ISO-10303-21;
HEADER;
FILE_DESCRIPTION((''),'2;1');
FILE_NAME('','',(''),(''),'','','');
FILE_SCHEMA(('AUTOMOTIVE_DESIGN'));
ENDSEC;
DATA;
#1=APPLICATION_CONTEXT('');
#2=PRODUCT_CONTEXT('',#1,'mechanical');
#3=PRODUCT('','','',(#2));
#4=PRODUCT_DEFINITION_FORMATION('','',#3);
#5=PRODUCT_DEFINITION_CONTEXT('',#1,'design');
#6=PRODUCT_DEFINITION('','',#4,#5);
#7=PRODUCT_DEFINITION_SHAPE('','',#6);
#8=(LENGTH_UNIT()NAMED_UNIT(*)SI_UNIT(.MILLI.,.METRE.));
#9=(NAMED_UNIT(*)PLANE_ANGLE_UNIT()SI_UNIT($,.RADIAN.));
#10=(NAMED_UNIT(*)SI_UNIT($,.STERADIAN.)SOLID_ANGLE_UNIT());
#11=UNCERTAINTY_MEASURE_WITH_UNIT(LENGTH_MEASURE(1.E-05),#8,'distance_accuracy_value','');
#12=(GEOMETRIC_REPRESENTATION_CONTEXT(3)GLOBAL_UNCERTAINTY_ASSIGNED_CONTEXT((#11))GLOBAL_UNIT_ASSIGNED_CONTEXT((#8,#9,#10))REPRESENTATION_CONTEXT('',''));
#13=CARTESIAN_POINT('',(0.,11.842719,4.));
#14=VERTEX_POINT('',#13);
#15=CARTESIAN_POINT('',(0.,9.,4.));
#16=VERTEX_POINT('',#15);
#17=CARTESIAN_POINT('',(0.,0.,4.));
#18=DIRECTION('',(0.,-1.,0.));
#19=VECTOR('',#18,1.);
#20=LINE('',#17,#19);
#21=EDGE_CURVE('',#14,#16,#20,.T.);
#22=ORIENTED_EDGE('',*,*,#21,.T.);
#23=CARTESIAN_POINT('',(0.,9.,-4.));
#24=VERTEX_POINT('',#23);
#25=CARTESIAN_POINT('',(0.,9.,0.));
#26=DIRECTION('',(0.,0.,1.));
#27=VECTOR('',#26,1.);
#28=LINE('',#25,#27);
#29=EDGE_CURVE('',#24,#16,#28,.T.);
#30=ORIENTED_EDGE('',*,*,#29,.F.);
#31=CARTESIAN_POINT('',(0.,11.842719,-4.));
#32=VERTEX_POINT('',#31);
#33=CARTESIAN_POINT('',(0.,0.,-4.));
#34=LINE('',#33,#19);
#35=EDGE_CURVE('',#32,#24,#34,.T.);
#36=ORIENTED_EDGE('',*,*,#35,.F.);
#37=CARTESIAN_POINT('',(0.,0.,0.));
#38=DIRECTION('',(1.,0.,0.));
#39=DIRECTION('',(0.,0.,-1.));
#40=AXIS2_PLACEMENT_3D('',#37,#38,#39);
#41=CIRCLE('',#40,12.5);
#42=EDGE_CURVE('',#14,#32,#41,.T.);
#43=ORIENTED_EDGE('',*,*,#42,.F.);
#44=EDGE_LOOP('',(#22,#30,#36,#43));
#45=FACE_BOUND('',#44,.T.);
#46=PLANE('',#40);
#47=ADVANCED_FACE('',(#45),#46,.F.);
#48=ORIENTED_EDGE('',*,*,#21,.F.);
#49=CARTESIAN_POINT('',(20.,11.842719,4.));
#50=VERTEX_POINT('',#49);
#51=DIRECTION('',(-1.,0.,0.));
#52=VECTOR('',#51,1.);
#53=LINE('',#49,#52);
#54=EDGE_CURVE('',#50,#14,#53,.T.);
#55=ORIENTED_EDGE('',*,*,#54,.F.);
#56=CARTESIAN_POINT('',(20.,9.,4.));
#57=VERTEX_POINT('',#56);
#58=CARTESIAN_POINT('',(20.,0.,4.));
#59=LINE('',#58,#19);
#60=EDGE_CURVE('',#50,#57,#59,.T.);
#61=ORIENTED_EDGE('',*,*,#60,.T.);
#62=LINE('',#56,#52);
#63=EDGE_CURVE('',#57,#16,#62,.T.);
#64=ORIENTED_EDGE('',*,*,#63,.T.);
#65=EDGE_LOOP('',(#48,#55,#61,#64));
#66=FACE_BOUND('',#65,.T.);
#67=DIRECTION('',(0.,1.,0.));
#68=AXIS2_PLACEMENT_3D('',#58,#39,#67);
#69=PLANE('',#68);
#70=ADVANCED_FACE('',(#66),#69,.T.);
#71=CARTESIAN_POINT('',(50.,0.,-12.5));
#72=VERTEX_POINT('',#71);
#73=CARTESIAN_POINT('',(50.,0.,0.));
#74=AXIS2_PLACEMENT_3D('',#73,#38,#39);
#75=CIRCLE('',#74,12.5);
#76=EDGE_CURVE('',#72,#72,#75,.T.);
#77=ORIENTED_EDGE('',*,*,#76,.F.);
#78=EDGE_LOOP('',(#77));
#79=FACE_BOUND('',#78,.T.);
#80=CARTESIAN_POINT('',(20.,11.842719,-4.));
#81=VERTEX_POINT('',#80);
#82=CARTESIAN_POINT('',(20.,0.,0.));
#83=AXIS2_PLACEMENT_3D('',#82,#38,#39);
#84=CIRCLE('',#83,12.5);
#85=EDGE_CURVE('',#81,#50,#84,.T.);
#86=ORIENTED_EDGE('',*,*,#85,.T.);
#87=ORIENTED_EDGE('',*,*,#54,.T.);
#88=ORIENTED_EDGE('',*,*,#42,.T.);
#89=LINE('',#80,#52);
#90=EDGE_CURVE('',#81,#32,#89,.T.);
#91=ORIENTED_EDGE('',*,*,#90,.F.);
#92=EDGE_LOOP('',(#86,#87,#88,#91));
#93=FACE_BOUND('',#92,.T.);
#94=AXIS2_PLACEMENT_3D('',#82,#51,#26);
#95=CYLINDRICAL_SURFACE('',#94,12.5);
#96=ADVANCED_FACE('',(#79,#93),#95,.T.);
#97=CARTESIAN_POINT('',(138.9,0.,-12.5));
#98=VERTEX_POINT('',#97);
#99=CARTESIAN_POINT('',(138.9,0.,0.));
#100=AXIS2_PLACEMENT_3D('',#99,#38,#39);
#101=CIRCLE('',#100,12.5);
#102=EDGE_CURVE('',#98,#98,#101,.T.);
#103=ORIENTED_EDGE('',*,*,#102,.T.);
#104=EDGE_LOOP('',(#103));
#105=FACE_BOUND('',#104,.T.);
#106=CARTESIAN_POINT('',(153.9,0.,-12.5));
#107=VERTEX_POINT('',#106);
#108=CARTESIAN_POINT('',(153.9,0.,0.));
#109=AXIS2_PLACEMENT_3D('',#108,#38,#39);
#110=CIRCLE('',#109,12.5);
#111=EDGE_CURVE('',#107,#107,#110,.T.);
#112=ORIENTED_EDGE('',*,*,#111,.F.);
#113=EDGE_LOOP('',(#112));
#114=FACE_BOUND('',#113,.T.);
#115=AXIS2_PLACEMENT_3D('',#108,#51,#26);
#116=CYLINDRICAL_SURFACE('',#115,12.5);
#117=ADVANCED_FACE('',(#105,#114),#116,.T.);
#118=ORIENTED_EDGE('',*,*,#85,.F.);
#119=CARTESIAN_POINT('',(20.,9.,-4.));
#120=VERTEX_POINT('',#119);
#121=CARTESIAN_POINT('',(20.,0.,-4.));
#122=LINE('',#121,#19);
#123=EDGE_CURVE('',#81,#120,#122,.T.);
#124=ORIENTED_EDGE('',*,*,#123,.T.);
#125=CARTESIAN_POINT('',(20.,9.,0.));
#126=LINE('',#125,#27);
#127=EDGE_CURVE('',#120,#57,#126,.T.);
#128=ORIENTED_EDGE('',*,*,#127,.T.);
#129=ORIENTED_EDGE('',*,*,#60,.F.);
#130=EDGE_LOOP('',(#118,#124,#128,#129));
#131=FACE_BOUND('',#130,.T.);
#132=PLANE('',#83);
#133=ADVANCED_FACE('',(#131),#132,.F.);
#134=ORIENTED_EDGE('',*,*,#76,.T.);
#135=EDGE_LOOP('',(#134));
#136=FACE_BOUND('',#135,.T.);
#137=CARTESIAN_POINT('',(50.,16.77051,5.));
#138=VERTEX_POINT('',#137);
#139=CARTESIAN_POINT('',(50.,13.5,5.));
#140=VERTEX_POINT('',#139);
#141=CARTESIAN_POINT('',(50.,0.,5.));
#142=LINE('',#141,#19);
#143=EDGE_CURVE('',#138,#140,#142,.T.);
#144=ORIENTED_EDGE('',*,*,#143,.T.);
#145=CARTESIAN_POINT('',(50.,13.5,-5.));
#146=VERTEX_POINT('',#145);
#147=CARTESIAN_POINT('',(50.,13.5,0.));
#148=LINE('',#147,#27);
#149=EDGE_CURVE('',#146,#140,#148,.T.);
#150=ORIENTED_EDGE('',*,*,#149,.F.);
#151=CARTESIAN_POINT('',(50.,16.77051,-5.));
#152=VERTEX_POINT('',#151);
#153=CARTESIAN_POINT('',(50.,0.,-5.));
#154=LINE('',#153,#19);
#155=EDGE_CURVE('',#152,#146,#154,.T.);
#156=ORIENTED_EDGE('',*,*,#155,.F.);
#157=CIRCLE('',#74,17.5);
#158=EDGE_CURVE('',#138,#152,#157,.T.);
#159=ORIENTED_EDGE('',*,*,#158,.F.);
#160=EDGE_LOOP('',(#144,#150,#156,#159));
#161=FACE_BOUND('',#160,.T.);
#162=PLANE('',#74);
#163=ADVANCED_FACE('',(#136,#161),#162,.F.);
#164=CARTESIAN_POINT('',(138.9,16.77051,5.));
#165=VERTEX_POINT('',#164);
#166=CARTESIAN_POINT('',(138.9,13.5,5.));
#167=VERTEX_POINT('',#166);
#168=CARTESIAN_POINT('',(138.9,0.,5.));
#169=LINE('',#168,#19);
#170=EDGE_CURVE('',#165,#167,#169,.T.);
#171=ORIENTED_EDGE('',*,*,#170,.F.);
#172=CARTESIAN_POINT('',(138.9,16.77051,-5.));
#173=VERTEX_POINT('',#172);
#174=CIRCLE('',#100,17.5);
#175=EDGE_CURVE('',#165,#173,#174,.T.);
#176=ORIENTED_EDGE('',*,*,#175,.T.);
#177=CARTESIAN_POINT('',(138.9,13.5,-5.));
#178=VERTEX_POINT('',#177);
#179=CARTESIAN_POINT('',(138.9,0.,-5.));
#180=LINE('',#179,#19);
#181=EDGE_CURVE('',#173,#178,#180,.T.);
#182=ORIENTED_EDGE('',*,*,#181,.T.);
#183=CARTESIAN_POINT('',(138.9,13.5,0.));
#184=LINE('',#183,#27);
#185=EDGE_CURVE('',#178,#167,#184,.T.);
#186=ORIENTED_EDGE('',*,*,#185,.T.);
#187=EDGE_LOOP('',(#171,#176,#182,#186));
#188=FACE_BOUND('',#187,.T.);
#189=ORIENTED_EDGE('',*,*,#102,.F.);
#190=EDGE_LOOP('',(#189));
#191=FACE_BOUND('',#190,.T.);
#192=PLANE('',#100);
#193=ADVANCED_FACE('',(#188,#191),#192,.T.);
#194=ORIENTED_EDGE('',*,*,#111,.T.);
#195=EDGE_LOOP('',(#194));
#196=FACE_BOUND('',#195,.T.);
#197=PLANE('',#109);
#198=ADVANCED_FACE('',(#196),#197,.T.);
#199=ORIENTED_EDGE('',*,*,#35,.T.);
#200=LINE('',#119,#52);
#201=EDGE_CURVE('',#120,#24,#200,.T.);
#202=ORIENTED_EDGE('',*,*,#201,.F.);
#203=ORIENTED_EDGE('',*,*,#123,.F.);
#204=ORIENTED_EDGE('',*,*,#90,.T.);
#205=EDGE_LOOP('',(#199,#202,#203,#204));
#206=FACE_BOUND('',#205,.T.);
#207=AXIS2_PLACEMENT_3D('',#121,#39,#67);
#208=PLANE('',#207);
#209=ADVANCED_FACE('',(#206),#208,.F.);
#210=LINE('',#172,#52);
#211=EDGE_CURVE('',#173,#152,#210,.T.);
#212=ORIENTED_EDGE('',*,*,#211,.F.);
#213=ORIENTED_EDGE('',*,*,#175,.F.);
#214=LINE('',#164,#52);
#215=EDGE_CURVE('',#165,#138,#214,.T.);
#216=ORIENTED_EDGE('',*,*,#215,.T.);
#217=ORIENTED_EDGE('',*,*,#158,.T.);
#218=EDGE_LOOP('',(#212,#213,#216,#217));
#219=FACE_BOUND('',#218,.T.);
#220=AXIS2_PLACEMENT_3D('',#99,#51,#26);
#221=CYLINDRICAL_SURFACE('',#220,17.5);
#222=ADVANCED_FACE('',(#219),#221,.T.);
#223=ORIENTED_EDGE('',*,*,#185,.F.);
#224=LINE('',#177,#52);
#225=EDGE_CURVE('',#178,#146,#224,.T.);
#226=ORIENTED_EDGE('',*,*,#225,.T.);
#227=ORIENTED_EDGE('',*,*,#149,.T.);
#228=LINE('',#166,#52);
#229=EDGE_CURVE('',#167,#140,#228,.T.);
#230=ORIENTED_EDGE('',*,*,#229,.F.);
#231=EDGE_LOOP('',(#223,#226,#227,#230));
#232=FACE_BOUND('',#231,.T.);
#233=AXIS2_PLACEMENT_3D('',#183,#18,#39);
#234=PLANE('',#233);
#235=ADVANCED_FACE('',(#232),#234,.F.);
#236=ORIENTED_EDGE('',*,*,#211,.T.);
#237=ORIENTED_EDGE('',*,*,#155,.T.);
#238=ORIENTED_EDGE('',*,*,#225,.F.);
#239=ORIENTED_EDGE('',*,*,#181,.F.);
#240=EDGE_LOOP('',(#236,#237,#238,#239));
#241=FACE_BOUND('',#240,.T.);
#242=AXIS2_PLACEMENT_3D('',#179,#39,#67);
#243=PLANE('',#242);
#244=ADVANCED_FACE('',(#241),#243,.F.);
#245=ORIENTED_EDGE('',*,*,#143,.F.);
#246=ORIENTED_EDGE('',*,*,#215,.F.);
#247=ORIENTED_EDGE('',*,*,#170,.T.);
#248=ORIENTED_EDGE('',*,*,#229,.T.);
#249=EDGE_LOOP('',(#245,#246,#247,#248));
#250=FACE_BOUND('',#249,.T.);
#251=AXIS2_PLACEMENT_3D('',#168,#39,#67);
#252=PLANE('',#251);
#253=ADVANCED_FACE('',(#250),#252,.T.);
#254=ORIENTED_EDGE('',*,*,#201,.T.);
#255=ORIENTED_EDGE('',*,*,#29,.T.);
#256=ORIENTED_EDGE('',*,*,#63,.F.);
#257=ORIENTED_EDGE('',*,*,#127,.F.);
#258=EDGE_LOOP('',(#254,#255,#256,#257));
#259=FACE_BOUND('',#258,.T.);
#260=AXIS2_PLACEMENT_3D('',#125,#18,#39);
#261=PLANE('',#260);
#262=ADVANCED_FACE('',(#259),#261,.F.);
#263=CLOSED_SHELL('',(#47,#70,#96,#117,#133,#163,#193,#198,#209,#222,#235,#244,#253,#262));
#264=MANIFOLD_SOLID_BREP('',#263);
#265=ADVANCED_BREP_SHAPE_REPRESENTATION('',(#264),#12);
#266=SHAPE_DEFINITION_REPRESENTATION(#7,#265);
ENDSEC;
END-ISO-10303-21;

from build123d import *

# Parameters (mm, degrees)
BOSS_EXTRUDE1_DEPTH = 20
SKETCH2_R           = 12.5
BOSS_EXTRUDE2_DEPTH = 10
SKETCH3_R           = 12.5
BOSS_EXTRUDE3_DEPTH = 20
SKETCH4_R           = 12.5
BOSS_EXTRUDE6_DEPTH = 88.9
SKETCH6_R           = 12.5
BOSS_EXTRUDE7_DEPTH = 15


with BuildPart() as part:
    # Sketch1 → Boss-Extrude1 (new body)
    with BuildSketch(Plane(origin=(0, 0, 0), x_dir=(0, 0, -1), z_dir=(1, 0, 0))):
        with BuildLine():
            ThreePointArc((12.5, 0), (10.155048006, 7.288689869), (4, 11.842719282))
            Line((4, 11.842719282), (4, 9))
            Line((4, 9), (-4, 9))
            Line((-4, 9), (-4, 11.842719282))
            ThreePointArc((-4, 11.842719282), (-7.288689869, -10.155048006), (12.5, 0))
        make_face()
    extrude(amount=BOSS_EXTRUDE1_DEPTH)

    # Sketch2 → Boss-Extrude2 (add)
    with BuildSketch(Plane(origin=(20, 0, 0), x_dir=(0, 0, -1), z_dir=(1, 0, 0))):
        with Locations(Location((0, 0, 0), (0, 0, 108.662924885))):
            Circle(SKETCH2_R)
    extrude(amount=BOSS_EXTRUDE2_DEPTH)

    # Sketch3 → Boss-Extrude3 (add)
    with BuildSketch(Plane(origin=(30, 0, 0), x_dir=(0, 0, -1), z_dir=(1, 0, 0))):
        with Locations(Location((0, 0, 0), (0, 0, 108.662924885))):
            Circle(SKETCH3_R)
    extrude(amount=BOSS_EXTRUDE3_DEPTH)

    # Sketch4 → Boss-Extrude6 (add)
    with BuildSketch(Plane(origin=(50, 0, 0), x_dir=(0, 0, -1), z_dir=(1, 0, 0))):
        with BuildLine():
            ThreePointArc((17.5, 0), (14.0312152, 10.458250332), (5, 16.770509831))
            Line((5, 16.770509831), (5, 13.5))
            Line((5, 13.5), (-5, 13.5))
            Line((-5, 13.5), (-5, 16.770509831))
            ThreePointArc((-5, 16.770509831), (-10.458250332, -14.0312152), (17.5, 0))
        make_face()
        with Locations(Location((0, 0, 0), (0, 0, 108.662924885))):
            Circle(SKETCH4_R, mode=Mode.SUBTRACT)
        with Locations(Location((0, 0, 0), (0, 0, 108.662924885))):
            Circle(SKETCH4_R)
    extrude(amount=BOSS_EXTRUDE6_DEPTH)

    # Sketch6 → Boss-Extrude7 (add)
    with BuildSketch(Plane(origin=(138.9, 0, 0), x_dir=(0, 0, -1), z_dir=(1, 0, 0))):
        with Locations(Location((0, 0, 0), (0, 0, 108.662924885))):
            Circle(SKETCH6_R)
    extrude(amount=BOSS_EXTRUDE7_DEPTH)


solid = part.part
